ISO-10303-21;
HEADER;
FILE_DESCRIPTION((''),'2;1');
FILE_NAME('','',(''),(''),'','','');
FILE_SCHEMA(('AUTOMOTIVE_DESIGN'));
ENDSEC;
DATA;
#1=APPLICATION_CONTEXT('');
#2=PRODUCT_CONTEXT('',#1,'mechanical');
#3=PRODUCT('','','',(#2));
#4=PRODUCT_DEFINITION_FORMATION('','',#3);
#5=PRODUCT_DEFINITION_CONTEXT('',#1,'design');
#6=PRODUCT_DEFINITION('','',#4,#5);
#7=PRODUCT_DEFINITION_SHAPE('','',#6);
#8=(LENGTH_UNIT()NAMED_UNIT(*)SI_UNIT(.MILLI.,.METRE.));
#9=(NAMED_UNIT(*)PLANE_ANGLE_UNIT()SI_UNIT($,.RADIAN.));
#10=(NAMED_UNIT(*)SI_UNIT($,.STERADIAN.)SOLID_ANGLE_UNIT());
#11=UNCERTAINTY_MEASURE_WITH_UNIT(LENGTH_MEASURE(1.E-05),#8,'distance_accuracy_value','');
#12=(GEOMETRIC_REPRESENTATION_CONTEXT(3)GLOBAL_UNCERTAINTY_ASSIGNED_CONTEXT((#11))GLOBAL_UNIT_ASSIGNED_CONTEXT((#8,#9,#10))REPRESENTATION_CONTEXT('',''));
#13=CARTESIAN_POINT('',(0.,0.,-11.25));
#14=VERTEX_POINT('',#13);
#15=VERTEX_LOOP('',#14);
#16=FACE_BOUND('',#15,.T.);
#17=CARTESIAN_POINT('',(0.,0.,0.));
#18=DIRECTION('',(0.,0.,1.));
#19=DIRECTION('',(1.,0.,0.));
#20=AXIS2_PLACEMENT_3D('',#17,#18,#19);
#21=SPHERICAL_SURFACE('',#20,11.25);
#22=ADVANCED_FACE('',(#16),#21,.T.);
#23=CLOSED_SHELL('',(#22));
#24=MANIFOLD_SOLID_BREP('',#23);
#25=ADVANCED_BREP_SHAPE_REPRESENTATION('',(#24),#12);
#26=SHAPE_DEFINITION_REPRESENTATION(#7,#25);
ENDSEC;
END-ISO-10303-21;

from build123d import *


with BuildPart() as f2:
    # F2: sweep along a path in F1
    with BuildLine(Plane.XY) as f2_path:
        CenterArc((0, 0), 11.125, 0, 360)
    # F0 (on Right) → F2 (sweep)
    with BuildSketch(Plane.YZ):
        with BuildLine():
            Line((0, -11.25), (0, 11.25))
            ThreePointArc((0, 11.25), (-11.25, 0), (0, -11.25))
        make_face()
    sweep(path=f2_path.line)


solid = f2.part
